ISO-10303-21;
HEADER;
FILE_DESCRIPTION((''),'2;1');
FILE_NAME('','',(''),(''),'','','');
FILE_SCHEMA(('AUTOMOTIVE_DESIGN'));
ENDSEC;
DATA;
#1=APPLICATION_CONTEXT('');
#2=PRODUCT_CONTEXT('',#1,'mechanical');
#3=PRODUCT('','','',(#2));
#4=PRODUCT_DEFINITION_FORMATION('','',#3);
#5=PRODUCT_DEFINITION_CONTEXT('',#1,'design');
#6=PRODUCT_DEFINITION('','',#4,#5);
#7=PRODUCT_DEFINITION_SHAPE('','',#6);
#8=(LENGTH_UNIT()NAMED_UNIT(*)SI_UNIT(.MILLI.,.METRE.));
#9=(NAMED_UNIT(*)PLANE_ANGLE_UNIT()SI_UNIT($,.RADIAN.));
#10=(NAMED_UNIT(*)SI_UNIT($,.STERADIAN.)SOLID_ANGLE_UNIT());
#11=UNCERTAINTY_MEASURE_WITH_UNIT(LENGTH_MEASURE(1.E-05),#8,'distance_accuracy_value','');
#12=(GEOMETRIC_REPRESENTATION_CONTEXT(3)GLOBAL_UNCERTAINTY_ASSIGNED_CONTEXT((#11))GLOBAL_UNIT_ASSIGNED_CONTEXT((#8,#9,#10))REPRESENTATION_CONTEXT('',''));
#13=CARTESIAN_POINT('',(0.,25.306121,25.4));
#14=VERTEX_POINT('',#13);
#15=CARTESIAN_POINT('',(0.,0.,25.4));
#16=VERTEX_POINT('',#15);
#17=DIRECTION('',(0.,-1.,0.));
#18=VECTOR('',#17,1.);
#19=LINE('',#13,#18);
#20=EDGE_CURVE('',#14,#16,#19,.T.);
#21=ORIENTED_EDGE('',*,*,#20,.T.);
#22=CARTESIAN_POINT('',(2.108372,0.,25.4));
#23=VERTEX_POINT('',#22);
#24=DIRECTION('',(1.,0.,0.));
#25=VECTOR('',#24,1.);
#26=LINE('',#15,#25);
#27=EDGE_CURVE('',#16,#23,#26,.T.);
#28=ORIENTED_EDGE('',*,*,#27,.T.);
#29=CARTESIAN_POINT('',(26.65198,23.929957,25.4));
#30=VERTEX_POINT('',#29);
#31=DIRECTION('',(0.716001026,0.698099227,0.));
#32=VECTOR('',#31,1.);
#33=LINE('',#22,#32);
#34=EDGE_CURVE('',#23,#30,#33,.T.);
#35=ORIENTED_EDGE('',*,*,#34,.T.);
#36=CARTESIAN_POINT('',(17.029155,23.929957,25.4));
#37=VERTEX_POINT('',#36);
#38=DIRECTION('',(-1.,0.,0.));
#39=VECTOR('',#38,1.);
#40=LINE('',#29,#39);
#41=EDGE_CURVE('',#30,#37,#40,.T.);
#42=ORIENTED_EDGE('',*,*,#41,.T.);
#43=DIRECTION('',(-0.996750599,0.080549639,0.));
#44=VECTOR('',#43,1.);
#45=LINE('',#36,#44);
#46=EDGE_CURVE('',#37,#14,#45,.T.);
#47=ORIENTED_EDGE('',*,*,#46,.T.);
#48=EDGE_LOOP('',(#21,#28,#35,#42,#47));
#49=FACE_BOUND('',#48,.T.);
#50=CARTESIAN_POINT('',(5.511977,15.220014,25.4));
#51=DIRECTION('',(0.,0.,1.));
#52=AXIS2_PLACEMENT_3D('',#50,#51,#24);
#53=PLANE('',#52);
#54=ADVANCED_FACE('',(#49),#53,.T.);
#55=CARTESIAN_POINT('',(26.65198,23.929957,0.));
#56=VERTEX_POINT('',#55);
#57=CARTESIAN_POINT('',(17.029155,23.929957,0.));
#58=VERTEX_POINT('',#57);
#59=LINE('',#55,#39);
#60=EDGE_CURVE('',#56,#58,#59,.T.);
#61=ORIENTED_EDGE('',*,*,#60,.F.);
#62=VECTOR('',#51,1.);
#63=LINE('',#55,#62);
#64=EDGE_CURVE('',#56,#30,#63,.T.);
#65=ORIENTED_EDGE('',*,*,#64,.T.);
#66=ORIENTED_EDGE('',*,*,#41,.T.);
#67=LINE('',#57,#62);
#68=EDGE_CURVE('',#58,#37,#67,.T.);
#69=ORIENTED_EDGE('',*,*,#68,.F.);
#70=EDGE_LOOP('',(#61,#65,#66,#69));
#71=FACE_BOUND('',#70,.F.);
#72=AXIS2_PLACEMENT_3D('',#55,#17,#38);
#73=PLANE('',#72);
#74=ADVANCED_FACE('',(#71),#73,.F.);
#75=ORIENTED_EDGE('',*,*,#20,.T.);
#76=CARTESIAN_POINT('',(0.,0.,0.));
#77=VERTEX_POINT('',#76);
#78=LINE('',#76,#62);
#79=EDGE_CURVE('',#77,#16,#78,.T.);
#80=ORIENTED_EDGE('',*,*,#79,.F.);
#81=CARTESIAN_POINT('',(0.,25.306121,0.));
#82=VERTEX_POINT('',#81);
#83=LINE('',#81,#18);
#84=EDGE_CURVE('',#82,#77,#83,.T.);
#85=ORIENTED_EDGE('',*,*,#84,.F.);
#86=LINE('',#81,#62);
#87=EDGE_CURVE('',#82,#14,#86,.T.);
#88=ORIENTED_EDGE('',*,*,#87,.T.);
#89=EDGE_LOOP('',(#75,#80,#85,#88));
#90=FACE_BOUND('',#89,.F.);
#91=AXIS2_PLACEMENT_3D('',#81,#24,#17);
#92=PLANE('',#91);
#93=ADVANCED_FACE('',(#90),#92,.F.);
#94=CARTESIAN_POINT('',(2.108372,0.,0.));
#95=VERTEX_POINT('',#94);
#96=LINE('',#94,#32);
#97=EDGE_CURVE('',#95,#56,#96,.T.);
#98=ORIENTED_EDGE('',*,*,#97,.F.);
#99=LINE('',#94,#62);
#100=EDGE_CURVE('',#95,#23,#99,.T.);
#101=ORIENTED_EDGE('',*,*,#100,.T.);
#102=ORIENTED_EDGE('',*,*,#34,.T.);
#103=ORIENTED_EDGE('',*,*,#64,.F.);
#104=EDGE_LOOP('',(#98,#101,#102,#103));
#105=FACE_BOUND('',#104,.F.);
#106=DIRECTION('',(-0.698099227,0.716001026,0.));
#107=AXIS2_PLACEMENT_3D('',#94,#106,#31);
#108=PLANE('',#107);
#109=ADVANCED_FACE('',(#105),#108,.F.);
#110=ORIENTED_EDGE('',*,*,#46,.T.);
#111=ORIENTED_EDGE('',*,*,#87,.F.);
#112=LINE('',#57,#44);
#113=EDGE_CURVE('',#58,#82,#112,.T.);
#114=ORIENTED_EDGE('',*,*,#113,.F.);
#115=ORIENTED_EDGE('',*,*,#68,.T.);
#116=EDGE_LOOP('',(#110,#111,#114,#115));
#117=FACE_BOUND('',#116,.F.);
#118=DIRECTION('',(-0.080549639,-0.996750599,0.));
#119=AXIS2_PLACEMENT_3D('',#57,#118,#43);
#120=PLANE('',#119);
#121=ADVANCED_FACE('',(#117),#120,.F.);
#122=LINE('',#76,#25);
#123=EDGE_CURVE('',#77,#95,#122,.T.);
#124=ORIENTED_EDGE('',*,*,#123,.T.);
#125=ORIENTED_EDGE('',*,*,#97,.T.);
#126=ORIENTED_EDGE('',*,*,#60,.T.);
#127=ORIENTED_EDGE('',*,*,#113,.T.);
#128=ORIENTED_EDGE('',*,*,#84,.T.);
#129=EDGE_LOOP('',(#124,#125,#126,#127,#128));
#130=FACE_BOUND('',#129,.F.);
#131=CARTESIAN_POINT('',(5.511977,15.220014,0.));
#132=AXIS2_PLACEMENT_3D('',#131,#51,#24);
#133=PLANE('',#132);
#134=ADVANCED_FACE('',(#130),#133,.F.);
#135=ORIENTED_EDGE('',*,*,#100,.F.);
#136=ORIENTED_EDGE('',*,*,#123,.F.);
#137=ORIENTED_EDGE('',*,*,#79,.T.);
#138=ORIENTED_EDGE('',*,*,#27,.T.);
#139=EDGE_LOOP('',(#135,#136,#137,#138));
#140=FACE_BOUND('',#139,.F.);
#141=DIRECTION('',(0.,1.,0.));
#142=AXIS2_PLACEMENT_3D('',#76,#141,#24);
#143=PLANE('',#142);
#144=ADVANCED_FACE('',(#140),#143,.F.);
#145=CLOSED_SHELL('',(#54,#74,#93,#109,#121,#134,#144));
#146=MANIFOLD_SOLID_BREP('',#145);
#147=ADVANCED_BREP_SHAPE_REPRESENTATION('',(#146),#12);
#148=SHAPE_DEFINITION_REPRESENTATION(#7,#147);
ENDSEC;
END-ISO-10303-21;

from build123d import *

# Parameters (mm, degrees)
F1_DEPTH = 25.4


with BuildPart() as f1:
    # F0 (on Top) → F1 (new body)
    with BuildSketch(Plane.XY):
        Polygon((0, 25.306121), (0, 0), (17.029155, 23.929957), align=None)
        Polygon((17.029155, 23.929957), (0, 0), (2.108372, 0), align=None)
        Polygon((26.65198, 23.929957), (17.029155, 23.929957), (2.108372, 0), align=None)
    extrude(amount=F1_DEPTH)


solid = f1.part
